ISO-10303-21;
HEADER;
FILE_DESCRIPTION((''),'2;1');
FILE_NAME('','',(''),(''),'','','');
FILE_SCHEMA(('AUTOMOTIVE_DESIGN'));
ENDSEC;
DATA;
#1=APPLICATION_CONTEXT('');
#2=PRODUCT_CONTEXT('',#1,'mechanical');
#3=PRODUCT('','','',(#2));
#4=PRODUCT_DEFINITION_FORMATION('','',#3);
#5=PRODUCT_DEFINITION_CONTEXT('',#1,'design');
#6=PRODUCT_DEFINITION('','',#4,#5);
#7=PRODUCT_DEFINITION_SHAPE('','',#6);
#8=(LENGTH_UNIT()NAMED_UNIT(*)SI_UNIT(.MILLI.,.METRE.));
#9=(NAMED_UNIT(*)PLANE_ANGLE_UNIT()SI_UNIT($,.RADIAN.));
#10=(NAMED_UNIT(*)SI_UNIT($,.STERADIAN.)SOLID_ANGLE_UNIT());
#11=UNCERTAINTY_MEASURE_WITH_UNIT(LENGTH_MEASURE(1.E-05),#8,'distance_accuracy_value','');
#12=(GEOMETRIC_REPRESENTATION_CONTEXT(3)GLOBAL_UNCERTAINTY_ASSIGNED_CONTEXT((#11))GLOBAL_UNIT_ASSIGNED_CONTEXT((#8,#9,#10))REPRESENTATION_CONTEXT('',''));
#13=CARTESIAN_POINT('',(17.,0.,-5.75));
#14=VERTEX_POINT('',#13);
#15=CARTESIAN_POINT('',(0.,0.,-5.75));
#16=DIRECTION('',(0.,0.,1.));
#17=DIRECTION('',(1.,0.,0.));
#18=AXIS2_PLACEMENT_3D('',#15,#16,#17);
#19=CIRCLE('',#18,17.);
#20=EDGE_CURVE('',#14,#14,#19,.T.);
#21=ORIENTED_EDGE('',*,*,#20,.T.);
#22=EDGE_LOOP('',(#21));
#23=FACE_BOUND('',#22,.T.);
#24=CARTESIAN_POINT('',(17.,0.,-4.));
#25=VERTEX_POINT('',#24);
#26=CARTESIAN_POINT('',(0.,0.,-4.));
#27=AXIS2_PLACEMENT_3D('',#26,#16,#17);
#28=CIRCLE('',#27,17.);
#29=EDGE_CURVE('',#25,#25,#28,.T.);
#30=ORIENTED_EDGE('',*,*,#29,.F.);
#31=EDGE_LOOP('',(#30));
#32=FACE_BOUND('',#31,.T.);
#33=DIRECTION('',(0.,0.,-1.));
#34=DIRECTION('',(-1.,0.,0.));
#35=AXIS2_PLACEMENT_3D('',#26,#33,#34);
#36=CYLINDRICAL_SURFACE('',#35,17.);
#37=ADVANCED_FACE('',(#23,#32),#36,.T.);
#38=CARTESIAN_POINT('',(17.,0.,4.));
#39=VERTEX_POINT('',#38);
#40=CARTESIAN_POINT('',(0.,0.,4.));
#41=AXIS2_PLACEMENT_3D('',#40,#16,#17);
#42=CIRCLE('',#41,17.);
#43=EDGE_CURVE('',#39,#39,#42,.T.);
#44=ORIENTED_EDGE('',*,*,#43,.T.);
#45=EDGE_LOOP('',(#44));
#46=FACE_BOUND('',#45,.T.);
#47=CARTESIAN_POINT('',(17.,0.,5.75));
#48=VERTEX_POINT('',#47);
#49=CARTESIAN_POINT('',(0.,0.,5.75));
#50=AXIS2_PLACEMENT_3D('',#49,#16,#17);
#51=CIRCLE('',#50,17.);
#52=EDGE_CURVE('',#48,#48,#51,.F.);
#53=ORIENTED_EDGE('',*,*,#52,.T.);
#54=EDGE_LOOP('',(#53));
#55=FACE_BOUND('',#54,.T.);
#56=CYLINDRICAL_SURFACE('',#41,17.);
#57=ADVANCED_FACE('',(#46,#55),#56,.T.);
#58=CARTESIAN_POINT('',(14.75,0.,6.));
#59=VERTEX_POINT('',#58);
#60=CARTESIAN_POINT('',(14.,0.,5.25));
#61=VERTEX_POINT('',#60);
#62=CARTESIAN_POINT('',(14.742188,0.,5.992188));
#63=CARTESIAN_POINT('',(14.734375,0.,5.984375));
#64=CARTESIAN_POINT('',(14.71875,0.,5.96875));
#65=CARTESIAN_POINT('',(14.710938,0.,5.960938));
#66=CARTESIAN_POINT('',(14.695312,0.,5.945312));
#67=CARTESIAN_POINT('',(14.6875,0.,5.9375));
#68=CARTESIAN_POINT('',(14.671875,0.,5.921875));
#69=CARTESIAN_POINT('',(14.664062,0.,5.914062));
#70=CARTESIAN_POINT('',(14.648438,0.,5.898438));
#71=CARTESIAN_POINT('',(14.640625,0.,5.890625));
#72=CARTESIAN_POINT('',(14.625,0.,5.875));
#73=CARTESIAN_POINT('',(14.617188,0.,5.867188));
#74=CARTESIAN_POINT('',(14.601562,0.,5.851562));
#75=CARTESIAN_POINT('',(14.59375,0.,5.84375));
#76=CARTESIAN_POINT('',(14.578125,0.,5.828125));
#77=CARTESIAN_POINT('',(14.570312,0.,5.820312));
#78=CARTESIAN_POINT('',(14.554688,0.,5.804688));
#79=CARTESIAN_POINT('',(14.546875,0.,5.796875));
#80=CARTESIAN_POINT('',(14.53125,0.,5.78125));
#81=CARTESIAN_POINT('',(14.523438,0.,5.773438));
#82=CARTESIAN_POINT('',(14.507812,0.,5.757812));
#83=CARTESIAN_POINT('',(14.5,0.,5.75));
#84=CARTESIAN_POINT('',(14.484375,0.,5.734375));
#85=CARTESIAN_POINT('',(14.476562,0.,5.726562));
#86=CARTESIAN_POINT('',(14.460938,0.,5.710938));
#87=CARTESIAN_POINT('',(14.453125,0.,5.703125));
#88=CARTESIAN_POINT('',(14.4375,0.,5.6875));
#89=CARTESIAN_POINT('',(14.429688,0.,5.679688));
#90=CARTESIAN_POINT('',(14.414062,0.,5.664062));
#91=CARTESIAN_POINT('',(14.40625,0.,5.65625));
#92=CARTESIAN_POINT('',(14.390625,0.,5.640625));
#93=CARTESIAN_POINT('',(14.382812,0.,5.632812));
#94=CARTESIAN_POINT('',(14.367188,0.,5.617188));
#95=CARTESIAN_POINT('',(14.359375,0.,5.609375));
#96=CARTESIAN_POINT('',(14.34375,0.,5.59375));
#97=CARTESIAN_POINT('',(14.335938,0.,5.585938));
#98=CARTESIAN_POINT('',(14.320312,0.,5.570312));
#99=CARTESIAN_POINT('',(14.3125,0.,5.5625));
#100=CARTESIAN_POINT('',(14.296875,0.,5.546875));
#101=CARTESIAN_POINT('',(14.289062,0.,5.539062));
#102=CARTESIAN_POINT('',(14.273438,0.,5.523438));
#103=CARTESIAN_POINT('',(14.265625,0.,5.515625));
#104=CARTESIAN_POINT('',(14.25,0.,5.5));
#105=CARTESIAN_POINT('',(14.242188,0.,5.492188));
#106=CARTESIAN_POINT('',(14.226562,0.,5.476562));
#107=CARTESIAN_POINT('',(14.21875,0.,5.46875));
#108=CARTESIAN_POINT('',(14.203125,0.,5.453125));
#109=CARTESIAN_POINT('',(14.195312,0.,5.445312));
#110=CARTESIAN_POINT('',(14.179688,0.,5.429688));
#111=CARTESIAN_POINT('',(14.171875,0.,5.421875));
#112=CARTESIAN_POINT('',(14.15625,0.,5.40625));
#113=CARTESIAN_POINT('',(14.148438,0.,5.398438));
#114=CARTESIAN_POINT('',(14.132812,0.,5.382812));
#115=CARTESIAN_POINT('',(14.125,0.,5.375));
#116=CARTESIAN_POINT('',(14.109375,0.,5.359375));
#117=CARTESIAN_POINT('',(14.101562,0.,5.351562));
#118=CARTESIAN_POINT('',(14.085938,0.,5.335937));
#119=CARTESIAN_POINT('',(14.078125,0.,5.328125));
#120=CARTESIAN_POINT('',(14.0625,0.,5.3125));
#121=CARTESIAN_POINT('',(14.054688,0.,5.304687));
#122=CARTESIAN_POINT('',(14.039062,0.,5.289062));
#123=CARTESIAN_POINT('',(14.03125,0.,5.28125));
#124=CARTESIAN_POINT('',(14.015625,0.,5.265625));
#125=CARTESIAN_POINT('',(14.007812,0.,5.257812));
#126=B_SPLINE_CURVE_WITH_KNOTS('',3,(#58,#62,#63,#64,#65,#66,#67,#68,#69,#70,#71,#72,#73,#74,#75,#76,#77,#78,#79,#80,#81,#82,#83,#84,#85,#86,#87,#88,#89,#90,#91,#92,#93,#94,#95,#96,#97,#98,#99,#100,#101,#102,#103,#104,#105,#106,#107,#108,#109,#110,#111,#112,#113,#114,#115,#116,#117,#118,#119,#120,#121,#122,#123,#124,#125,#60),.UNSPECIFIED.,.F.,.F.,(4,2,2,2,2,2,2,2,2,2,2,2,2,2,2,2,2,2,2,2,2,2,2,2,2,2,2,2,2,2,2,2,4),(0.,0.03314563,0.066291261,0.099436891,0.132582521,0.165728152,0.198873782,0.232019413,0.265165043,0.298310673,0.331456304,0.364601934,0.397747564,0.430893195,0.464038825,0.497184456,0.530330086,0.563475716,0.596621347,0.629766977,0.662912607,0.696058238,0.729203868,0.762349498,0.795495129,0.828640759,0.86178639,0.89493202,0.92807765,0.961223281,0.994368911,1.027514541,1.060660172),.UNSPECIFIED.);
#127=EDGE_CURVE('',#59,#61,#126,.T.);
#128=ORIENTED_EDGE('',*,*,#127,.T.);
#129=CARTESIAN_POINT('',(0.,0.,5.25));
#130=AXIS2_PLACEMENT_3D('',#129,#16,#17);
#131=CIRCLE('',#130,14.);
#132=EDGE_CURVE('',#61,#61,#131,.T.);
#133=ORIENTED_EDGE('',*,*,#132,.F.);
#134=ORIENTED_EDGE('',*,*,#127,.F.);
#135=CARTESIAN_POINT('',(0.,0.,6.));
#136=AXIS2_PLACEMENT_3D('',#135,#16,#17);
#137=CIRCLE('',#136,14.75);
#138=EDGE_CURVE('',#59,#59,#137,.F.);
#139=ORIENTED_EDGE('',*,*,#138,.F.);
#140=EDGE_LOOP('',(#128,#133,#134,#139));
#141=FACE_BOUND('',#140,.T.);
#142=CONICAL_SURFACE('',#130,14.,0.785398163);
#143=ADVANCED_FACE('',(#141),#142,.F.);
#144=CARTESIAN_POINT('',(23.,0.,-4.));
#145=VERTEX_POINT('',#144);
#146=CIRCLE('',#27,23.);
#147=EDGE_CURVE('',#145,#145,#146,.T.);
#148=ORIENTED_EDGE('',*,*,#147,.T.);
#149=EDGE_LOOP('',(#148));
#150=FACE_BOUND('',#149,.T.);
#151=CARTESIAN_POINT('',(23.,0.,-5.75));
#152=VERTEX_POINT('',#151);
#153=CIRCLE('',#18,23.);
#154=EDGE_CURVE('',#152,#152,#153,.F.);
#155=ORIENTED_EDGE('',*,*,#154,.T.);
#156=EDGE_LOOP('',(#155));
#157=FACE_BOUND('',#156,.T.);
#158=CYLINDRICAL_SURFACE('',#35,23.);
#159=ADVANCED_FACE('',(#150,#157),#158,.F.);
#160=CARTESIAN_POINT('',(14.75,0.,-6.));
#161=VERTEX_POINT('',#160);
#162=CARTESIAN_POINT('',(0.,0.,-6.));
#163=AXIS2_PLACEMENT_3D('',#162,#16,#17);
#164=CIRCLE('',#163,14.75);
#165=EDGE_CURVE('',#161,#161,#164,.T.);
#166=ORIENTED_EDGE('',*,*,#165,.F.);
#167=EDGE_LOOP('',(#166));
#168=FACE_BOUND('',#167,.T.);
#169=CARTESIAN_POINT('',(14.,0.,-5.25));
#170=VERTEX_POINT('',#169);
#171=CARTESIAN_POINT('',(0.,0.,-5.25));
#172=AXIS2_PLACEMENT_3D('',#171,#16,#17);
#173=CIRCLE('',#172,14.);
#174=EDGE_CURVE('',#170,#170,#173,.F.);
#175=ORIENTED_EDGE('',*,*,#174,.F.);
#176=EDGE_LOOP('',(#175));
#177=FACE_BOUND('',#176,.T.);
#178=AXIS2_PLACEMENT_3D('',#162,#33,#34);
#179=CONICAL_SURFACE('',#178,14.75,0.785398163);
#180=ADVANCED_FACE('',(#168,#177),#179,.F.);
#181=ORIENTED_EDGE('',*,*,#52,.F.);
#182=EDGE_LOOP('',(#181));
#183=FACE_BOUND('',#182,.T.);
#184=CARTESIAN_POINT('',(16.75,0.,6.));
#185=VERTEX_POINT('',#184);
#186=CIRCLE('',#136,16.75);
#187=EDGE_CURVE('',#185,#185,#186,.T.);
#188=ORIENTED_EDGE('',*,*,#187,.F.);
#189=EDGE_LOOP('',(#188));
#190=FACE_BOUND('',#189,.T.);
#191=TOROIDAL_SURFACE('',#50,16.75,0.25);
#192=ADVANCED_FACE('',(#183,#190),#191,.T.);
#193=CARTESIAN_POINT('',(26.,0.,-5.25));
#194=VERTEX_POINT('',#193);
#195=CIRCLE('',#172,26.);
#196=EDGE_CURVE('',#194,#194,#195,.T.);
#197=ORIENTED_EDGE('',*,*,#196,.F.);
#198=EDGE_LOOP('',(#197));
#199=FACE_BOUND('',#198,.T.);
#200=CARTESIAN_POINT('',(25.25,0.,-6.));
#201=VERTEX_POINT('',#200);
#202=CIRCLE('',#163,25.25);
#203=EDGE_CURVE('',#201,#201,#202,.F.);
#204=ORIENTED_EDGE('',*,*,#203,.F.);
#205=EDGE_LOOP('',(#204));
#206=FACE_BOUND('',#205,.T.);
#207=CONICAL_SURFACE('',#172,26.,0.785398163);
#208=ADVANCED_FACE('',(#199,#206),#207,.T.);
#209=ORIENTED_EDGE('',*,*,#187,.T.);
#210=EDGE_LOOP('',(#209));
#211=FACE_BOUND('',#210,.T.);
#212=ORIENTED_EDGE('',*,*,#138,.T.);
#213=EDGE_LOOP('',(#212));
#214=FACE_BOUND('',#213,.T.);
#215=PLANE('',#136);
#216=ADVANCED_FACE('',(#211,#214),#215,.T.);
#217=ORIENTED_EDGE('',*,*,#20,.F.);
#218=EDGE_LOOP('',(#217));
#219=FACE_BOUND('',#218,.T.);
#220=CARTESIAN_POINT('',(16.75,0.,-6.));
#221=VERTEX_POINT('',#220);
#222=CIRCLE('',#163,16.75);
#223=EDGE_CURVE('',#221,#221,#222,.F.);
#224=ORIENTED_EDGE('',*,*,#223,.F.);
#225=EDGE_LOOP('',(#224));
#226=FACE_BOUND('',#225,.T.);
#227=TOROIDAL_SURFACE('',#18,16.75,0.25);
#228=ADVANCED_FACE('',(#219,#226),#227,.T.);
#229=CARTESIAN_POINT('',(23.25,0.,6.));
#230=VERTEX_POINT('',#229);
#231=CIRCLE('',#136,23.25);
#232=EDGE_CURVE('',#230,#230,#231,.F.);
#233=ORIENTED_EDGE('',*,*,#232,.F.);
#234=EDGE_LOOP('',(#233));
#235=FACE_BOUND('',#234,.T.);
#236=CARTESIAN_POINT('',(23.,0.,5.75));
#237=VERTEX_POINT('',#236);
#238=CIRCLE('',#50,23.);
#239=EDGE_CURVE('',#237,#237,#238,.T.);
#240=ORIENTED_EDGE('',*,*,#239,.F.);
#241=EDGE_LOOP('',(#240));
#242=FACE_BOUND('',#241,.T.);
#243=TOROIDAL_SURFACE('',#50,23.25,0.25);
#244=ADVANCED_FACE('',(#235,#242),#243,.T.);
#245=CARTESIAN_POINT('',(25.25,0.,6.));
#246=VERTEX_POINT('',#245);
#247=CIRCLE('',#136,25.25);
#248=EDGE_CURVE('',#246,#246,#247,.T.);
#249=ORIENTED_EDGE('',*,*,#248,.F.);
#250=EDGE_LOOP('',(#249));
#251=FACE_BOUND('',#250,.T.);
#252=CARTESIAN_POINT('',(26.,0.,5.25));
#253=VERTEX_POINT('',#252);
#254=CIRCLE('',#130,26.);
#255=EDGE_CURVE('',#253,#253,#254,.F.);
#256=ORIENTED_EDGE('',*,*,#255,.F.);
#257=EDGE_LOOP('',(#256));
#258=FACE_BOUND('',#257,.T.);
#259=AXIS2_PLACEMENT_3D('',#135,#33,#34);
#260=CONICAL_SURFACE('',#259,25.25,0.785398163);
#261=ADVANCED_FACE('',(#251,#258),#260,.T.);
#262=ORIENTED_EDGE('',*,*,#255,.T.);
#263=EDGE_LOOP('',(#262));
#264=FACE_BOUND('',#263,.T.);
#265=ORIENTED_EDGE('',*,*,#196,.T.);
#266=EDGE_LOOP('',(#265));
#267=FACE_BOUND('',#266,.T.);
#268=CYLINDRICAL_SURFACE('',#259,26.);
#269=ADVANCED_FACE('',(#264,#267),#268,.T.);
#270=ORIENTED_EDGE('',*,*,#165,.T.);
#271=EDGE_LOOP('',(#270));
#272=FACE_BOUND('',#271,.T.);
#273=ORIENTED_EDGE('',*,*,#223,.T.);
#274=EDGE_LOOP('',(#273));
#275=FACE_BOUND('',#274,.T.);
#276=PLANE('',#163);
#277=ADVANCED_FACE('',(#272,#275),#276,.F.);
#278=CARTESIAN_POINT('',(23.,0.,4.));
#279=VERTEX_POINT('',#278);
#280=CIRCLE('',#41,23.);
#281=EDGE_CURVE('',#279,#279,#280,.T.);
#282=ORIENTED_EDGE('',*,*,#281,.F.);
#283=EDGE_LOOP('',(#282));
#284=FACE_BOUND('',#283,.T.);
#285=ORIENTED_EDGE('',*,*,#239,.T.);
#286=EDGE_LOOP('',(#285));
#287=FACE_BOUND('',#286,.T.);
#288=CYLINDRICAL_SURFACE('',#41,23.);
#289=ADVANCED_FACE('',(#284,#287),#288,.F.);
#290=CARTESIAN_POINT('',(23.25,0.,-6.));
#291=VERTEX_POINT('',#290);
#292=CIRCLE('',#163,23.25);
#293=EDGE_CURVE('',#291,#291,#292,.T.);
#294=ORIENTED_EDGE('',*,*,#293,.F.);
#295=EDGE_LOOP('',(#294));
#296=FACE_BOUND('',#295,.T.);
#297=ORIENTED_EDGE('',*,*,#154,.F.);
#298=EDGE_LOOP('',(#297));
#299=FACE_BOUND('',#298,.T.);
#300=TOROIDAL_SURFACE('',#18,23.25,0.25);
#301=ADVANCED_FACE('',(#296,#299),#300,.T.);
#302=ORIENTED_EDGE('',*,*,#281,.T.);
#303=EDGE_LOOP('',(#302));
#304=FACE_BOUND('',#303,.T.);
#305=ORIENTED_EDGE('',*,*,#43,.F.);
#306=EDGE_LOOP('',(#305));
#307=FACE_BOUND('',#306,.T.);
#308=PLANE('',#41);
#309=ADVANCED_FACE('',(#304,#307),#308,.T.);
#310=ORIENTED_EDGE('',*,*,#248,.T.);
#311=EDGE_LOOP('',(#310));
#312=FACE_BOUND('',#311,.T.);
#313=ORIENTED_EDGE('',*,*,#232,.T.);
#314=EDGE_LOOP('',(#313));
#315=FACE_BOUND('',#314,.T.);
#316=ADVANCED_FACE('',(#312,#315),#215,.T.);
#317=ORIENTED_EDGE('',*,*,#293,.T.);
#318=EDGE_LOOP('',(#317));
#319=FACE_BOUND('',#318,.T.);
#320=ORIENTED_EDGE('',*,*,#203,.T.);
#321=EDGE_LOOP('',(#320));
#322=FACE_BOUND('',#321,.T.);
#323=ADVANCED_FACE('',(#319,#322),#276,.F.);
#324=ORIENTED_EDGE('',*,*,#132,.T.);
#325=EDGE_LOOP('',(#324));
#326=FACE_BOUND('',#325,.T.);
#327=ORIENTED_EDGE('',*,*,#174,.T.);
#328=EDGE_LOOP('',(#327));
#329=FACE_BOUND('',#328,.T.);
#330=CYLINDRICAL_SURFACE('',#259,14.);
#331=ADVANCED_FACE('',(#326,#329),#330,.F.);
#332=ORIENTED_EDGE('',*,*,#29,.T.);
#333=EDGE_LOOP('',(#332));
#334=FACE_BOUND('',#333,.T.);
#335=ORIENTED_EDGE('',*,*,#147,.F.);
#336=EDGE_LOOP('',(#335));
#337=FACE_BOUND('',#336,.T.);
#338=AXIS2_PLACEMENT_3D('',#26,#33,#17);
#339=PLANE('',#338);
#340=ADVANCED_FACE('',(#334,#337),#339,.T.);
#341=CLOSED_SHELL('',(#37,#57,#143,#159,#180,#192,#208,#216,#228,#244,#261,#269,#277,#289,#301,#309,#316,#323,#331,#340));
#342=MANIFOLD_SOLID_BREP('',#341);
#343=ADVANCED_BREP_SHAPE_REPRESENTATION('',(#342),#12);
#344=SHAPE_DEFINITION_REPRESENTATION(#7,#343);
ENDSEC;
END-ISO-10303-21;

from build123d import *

# Parameters (mm, degrees)
SKETCH_1_R          = 26
SKETCH_1_R_2        = 14
EXTRUDE_1_DEPTH     = 6
SKETCH_2_R          = 23
SKETCH_2_R_2        = 17
CUT_EXTRUDE_1_DEPTH = 2
CHAMFER_1_SIZE      = 0.75
FILLET_1_R          = 0.25


with BuildPart() as part:
    # 草图1 → 凸台-拉伸1 (new, symmetric)
    with BuildSketch(Plane.XY):
        Circle(SKETCH_1_R)
        Circle(SKETCH_1_R_2, mode=Mode.SUBTRACT)
    extrude(amount=EXTRUDE_1_DEPTH, both=True)

    # 草图2 → 切除-拉伸1 (cut)
    with BuildSketch(Plane.XY.offset(6)):
        Circle(SKETCH_2_R)
        Circle(SKETCH_2_R_2, mode=Mode.SUBTRACT)
    cut_extrude_1 = extrude(amount=-CUT_EXTRUDE_1_DEPTH, mode=Mode.SUBTRACT)

    # 镜向1: 切除-拉伸1 across plane
    add(cut_extrude_1.mirror(Plane.XY), mode=Mode.SUBTRACT)

    # 倒角1
    chamfer_1_edges = [part.edges().sort_by_distance(p)[0] for p in [
        (-26, 0, -6),
        (-26, 0, 6),
        (-14, 0, -6),
        (-14, 0, 6),
    ]]
    chamfer(chamfer_1_edges, length=CHAMFER_1_SIZE)

    # 圆角1
    fillet_1_edges = [part.edges().sort_by_distance(p)[0] for p in [
        (-17, 0, 6),
        (-23, 0, 6),
        (-23, 0, -6),
        (-17, 0, -6),
    ]]
    fillet(fillet_1_edges, radius=FILLET_1_R)


solid = part.part
